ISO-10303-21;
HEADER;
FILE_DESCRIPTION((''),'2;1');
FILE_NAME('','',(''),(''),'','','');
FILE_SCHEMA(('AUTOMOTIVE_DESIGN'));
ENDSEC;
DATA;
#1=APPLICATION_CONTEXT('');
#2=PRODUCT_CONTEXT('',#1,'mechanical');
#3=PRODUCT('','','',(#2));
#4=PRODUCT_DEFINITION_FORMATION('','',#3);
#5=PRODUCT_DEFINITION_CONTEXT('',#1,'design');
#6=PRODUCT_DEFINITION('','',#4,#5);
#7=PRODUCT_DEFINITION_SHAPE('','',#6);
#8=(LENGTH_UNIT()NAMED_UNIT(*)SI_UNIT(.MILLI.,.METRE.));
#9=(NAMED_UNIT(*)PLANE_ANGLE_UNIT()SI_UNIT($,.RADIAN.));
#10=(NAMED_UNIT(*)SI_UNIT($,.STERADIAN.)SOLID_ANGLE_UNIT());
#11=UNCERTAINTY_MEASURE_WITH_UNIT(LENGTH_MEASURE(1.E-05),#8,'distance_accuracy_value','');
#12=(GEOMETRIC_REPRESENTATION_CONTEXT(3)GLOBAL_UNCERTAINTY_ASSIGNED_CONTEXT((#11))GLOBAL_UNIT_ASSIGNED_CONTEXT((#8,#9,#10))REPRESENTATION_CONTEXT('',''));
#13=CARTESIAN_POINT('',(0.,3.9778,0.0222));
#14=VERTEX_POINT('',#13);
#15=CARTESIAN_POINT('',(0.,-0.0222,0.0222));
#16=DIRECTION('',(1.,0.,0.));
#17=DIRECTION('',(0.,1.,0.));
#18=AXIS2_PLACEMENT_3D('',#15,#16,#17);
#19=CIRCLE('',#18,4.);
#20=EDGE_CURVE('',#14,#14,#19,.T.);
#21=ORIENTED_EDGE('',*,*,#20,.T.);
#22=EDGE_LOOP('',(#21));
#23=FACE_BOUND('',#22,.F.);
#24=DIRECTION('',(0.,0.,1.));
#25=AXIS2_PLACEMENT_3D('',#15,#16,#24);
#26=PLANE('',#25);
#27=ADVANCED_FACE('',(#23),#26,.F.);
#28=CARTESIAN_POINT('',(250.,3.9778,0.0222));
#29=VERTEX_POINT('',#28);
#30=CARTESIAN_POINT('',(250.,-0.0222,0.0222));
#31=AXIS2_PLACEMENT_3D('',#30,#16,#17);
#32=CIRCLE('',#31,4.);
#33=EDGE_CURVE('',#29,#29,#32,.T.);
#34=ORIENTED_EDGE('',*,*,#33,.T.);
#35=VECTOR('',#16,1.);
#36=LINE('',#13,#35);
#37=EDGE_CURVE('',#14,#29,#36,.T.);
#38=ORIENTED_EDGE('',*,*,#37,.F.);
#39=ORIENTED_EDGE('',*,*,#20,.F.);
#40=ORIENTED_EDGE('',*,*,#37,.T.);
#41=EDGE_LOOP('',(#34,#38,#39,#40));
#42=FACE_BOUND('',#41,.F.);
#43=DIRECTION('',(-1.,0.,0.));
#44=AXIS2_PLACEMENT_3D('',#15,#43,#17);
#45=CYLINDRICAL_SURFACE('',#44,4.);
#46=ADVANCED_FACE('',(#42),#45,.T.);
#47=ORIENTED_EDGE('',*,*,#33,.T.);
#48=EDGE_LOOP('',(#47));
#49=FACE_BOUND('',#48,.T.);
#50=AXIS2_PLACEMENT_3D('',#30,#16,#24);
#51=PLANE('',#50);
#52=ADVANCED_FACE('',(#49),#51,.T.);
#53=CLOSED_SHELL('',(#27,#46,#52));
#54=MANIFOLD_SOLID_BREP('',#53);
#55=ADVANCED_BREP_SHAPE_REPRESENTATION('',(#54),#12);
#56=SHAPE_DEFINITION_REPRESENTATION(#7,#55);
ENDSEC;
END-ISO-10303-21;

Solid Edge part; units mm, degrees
sketch "Sketch1" plane through (0, 0, 0) normal (1, 0, 0) x (0, 1, 0)
  circle A0 centre (-0.0222, 0.0222) radius 4
extrude "Protrusion1" add sketch "Sketch1" along normal blind 250
